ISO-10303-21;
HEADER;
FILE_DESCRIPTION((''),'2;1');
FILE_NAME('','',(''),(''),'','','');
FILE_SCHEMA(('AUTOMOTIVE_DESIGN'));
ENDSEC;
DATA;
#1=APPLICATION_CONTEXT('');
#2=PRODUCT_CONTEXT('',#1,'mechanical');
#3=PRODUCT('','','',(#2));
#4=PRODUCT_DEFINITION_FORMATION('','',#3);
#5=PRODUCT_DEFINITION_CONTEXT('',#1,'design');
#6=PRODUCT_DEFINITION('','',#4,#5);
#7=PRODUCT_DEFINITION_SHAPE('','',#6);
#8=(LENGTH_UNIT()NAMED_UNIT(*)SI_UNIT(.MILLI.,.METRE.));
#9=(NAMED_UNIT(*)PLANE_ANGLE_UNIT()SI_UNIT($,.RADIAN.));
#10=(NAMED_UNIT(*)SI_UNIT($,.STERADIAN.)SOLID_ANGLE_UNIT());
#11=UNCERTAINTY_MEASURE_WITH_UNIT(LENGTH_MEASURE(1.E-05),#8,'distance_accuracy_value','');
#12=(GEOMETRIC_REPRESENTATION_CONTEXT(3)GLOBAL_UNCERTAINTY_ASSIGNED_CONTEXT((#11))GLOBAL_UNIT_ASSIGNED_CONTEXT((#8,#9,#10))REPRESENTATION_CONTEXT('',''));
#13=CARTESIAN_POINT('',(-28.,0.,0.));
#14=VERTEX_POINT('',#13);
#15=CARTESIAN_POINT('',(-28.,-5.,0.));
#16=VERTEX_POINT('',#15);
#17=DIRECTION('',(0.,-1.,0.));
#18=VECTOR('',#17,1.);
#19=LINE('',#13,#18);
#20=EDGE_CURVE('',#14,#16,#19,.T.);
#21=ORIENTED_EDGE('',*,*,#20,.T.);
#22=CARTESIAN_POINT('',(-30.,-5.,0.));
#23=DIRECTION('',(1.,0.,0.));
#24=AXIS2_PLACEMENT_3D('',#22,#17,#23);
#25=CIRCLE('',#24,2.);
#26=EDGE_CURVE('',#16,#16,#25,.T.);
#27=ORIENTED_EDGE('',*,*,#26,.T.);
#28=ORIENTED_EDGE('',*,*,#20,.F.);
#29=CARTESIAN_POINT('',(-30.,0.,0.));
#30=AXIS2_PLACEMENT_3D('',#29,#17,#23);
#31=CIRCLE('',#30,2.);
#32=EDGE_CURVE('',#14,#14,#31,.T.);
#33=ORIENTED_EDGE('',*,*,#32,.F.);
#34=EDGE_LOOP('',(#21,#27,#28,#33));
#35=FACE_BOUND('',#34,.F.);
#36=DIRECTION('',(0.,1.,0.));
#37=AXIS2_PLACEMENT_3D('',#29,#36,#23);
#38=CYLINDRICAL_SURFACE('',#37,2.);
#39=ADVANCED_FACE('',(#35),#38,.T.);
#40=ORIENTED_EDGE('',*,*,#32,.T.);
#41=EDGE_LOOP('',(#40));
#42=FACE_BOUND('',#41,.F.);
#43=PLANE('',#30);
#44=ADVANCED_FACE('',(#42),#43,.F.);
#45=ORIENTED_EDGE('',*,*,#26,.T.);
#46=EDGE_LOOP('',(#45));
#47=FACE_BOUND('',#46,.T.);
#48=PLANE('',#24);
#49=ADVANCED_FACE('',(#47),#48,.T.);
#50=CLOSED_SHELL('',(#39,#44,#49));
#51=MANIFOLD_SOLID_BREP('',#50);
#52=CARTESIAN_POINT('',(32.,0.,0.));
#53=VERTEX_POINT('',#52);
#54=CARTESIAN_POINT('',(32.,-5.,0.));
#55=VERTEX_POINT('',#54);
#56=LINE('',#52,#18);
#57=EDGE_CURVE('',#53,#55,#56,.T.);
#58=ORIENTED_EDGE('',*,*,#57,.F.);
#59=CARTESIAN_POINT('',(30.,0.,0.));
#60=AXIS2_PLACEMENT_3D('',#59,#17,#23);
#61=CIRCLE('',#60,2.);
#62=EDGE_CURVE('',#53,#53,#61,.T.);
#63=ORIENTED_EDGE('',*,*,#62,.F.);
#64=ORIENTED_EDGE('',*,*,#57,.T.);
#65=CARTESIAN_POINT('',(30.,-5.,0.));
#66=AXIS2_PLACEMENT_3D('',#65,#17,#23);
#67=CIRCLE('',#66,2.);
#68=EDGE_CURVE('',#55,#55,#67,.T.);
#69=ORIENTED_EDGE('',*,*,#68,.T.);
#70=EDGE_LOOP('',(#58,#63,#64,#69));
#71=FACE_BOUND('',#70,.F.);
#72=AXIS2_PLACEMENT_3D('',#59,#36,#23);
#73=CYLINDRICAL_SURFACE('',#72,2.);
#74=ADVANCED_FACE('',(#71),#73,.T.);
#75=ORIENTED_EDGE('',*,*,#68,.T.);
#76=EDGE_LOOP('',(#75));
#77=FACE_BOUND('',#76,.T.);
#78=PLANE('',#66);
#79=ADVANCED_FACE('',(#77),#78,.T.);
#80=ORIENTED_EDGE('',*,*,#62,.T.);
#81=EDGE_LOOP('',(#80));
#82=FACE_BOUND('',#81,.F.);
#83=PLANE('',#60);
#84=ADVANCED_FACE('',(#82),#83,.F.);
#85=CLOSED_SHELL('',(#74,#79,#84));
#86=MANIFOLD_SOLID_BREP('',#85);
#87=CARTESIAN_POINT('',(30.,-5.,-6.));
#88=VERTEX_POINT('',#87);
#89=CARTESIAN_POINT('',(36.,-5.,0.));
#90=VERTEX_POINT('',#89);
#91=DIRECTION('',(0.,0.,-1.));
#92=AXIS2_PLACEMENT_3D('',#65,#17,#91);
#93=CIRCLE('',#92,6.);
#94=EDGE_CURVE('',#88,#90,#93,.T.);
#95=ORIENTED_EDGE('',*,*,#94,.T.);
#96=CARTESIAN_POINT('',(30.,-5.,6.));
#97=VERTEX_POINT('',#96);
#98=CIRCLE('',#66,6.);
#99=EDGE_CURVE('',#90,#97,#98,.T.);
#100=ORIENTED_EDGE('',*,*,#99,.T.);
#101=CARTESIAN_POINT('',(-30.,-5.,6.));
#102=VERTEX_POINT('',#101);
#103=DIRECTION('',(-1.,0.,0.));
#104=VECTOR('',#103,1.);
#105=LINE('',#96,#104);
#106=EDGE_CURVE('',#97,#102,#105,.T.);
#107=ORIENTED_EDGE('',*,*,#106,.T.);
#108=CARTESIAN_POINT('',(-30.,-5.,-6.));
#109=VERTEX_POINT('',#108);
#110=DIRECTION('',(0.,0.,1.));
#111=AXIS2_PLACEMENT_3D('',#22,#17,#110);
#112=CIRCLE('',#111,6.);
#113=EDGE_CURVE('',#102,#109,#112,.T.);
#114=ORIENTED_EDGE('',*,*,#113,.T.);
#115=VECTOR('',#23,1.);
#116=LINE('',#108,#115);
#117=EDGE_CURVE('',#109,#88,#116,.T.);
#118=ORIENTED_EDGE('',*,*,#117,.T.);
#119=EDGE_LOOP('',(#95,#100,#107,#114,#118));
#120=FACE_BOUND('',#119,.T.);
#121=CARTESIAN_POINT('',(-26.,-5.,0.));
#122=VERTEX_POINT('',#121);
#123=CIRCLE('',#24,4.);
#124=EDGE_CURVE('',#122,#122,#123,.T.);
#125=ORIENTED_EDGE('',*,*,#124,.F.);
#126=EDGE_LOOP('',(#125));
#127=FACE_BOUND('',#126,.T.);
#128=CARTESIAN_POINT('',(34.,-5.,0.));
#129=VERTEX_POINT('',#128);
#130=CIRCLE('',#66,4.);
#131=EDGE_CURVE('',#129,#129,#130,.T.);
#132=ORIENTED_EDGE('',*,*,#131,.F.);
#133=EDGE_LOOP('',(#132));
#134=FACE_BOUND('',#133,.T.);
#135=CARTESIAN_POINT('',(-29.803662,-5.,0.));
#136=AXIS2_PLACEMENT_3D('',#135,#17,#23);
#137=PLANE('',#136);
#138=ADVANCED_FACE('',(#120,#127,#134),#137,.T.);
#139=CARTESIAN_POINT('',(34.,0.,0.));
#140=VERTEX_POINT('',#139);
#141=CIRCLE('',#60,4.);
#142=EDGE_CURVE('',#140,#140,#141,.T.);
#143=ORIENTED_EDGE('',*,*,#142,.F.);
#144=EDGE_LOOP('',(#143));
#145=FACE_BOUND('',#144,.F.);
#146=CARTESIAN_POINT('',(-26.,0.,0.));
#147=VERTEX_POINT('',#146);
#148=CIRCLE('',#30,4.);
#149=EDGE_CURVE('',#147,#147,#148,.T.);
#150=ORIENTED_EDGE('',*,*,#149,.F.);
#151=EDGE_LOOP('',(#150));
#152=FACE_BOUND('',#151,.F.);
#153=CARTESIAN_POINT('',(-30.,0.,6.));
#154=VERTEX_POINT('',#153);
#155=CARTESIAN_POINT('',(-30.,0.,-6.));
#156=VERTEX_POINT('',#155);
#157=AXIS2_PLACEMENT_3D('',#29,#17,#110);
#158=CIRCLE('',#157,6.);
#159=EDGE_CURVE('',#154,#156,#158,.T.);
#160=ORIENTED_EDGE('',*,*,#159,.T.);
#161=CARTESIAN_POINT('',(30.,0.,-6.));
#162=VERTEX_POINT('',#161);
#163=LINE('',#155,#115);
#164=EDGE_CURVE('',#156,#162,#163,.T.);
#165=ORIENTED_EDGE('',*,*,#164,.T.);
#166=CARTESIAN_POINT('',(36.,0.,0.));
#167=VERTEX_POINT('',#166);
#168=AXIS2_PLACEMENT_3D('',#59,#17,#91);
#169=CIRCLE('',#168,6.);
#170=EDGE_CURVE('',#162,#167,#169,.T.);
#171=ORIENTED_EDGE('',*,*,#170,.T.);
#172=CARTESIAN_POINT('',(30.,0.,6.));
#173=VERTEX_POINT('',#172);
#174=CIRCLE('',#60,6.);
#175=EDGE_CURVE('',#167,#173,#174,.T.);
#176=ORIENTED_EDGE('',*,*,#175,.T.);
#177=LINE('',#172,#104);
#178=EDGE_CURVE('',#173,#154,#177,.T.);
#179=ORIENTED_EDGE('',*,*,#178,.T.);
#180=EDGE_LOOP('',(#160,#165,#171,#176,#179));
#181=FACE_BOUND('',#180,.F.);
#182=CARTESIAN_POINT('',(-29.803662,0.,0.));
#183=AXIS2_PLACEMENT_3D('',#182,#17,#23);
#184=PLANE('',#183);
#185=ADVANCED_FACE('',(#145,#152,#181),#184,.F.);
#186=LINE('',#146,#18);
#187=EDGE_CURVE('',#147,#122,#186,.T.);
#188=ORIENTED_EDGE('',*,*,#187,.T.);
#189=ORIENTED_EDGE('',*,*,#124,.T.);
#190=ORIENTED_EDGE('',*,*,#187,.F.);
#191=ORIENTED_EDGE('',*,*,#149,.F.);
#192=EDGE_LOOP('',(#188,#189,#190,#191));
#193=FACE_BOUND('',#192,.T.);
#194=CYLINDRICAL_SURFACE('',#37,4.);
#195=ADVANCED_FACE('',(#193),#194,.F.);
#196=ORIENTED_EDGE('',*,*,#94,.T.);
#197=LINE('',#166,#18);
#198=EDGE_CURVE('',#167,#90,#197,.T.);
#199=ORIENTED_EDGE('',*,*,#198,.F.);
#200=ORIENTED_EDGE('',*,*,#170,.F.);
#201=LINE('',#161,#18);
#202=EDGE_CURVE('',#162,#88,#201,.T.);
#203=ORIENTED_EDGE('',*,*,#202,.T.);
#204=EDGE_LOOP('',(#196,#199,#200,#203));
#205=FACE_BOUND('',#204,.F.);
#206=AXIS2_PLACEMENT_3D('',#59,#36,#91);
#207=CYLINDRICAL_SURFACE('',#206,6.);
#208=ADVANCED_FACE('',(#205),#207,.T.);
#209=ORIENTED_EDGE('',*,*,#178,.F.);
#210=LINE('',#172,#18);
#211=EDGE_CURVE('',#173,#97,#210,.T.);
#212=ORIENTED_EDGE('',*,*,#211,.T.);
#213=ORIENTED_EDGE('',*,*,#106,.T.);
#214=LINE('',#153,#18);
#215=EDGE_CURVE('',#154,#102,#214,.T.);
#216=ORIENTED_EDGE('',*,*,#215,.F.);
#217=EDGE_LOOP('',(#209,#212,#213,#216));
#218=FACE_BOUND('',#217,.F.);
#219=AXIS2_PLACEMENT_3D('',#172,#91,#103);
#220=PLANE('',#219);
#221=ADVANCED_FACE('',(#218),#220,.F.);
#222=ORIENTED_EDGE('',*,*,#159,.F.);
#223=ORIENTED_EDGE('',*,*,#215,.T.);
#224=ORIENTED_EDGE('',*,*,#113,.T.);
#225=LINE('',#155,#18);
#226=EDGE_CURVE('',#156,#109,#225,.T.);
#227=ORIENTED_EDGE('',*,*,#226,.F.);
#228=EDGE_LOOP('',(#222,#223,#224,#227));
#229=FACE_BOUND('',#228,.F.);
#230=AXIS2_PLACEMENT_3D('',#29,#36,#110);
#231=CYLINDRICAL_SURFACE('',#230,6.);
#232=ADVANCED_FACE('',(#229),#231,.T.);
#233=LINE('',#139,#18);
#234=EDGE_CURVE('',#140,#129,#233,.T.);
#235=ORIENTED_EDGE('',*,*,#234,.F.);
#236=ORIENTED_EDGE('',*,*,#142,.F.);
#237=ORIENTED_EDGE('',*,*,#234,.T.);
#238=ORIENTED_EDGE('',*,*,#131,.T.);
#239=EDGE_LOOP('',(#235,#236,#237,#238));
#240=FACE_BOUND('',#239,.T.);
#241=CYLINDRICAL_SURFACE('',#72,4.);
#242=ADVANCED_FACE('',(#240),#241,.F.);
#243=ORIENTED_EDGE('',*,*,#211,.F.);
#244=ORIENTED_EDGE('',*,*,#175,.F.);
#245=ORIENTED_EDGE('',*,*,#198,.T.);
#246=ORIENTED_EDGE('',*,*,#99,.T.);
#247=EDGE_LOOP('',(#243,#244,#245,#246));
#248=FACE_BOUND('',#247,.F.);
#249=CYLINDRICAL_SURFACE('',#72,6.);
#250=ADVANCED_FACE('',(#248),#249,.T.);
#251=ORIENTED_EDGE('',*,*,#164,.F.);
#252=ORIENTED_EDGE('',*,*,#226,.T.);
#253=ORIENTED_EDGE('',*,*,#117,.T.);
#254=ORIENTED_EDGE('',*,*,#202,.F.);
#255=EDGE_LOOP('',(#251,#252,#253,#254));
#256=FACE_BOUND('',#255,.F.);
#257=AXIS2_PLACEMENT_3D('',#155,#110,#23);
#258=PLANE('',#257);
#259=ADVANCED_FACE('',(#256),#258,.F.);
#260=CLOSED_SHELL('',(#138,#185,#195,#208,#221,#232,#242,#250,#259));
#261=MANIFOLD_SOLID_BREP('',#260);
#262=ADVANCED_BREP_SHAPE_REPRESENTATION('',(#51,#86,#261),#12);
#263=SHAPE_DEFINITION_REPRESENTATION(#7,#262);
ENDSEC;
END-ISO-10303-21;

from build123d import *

# Parameters (mm, degrees)
F0_R     = 2
F1_DEPTH = 5
F0_R_2   = 4


with BuildPart() as f1:
    # F0 (on Front) → F1 (new body)
    with BuildSketch(Plane.XZ):
        with Locations((-30, 0)):
            Circle(F0_R)
    extrude(amount=F1_DEPTH)


with BuildPart() as f1b:
    # F0 (on Front) → F1, piece 2 (new body)
    with BuildSketch(Plane.XZ):
        with BuildLine():
            ThreePointArc((-30, -6), (-25.7573593129, -4.2426406871), (-24, 0))
            ThreePointArc((-24, 0), (-25.7573593129, 4.2426406871), (-30, 6))
            ThreePointArc((-30, 6), (-36, 0), (-30, -6))
        make_face()
        with Locations((-30, 0)):
            Circle(F0_R_2, mode=Mode.SUBTRACT)
        with BuildLine():
            ThreePointArc((-30, 6), (-25.7573593129, 4.2426406871), (-24, 0))
            ThreePointArc((-24, 0), (-25.7573593129, -4.2426406871), (-30, -6))
            Line((-30, -6), (0, -6))
            Line((0, -6), (30, -6))
            ThreePointArc((30, -6), (24, 0), (30, 6))
            Line((30, 6), (0, 6))
            Line((0, 6), (-30, 6))
        make_face()
        with BuildLine():
            ThreePointArc((36, 0), (34.2426406871, 4.2426406871), (30, 6))
            ThreePointArc((30, 6), (24, 0), (30, -6))
            ThreePointArc((30, -6), (34.2426406871, -4.2426406871), (36, 0))
        make_face()
        with Locations((30, 0)):
            Circle(F0_R_2, mode=Mode.SUBTRACT)
    extrude(amount=F1_DEPTH)


with BuildPart() as f1c:
    # F0 (on Front) → F1, piece 3 (new body)
    with BuildSketch(Plane.XZ):
        with Locations((30, 0)):
            Circle(F0_R)
    extrude(amount=F1_DEPTH)


solid = Compound([f1.part, f1b.part, f1c.part])
